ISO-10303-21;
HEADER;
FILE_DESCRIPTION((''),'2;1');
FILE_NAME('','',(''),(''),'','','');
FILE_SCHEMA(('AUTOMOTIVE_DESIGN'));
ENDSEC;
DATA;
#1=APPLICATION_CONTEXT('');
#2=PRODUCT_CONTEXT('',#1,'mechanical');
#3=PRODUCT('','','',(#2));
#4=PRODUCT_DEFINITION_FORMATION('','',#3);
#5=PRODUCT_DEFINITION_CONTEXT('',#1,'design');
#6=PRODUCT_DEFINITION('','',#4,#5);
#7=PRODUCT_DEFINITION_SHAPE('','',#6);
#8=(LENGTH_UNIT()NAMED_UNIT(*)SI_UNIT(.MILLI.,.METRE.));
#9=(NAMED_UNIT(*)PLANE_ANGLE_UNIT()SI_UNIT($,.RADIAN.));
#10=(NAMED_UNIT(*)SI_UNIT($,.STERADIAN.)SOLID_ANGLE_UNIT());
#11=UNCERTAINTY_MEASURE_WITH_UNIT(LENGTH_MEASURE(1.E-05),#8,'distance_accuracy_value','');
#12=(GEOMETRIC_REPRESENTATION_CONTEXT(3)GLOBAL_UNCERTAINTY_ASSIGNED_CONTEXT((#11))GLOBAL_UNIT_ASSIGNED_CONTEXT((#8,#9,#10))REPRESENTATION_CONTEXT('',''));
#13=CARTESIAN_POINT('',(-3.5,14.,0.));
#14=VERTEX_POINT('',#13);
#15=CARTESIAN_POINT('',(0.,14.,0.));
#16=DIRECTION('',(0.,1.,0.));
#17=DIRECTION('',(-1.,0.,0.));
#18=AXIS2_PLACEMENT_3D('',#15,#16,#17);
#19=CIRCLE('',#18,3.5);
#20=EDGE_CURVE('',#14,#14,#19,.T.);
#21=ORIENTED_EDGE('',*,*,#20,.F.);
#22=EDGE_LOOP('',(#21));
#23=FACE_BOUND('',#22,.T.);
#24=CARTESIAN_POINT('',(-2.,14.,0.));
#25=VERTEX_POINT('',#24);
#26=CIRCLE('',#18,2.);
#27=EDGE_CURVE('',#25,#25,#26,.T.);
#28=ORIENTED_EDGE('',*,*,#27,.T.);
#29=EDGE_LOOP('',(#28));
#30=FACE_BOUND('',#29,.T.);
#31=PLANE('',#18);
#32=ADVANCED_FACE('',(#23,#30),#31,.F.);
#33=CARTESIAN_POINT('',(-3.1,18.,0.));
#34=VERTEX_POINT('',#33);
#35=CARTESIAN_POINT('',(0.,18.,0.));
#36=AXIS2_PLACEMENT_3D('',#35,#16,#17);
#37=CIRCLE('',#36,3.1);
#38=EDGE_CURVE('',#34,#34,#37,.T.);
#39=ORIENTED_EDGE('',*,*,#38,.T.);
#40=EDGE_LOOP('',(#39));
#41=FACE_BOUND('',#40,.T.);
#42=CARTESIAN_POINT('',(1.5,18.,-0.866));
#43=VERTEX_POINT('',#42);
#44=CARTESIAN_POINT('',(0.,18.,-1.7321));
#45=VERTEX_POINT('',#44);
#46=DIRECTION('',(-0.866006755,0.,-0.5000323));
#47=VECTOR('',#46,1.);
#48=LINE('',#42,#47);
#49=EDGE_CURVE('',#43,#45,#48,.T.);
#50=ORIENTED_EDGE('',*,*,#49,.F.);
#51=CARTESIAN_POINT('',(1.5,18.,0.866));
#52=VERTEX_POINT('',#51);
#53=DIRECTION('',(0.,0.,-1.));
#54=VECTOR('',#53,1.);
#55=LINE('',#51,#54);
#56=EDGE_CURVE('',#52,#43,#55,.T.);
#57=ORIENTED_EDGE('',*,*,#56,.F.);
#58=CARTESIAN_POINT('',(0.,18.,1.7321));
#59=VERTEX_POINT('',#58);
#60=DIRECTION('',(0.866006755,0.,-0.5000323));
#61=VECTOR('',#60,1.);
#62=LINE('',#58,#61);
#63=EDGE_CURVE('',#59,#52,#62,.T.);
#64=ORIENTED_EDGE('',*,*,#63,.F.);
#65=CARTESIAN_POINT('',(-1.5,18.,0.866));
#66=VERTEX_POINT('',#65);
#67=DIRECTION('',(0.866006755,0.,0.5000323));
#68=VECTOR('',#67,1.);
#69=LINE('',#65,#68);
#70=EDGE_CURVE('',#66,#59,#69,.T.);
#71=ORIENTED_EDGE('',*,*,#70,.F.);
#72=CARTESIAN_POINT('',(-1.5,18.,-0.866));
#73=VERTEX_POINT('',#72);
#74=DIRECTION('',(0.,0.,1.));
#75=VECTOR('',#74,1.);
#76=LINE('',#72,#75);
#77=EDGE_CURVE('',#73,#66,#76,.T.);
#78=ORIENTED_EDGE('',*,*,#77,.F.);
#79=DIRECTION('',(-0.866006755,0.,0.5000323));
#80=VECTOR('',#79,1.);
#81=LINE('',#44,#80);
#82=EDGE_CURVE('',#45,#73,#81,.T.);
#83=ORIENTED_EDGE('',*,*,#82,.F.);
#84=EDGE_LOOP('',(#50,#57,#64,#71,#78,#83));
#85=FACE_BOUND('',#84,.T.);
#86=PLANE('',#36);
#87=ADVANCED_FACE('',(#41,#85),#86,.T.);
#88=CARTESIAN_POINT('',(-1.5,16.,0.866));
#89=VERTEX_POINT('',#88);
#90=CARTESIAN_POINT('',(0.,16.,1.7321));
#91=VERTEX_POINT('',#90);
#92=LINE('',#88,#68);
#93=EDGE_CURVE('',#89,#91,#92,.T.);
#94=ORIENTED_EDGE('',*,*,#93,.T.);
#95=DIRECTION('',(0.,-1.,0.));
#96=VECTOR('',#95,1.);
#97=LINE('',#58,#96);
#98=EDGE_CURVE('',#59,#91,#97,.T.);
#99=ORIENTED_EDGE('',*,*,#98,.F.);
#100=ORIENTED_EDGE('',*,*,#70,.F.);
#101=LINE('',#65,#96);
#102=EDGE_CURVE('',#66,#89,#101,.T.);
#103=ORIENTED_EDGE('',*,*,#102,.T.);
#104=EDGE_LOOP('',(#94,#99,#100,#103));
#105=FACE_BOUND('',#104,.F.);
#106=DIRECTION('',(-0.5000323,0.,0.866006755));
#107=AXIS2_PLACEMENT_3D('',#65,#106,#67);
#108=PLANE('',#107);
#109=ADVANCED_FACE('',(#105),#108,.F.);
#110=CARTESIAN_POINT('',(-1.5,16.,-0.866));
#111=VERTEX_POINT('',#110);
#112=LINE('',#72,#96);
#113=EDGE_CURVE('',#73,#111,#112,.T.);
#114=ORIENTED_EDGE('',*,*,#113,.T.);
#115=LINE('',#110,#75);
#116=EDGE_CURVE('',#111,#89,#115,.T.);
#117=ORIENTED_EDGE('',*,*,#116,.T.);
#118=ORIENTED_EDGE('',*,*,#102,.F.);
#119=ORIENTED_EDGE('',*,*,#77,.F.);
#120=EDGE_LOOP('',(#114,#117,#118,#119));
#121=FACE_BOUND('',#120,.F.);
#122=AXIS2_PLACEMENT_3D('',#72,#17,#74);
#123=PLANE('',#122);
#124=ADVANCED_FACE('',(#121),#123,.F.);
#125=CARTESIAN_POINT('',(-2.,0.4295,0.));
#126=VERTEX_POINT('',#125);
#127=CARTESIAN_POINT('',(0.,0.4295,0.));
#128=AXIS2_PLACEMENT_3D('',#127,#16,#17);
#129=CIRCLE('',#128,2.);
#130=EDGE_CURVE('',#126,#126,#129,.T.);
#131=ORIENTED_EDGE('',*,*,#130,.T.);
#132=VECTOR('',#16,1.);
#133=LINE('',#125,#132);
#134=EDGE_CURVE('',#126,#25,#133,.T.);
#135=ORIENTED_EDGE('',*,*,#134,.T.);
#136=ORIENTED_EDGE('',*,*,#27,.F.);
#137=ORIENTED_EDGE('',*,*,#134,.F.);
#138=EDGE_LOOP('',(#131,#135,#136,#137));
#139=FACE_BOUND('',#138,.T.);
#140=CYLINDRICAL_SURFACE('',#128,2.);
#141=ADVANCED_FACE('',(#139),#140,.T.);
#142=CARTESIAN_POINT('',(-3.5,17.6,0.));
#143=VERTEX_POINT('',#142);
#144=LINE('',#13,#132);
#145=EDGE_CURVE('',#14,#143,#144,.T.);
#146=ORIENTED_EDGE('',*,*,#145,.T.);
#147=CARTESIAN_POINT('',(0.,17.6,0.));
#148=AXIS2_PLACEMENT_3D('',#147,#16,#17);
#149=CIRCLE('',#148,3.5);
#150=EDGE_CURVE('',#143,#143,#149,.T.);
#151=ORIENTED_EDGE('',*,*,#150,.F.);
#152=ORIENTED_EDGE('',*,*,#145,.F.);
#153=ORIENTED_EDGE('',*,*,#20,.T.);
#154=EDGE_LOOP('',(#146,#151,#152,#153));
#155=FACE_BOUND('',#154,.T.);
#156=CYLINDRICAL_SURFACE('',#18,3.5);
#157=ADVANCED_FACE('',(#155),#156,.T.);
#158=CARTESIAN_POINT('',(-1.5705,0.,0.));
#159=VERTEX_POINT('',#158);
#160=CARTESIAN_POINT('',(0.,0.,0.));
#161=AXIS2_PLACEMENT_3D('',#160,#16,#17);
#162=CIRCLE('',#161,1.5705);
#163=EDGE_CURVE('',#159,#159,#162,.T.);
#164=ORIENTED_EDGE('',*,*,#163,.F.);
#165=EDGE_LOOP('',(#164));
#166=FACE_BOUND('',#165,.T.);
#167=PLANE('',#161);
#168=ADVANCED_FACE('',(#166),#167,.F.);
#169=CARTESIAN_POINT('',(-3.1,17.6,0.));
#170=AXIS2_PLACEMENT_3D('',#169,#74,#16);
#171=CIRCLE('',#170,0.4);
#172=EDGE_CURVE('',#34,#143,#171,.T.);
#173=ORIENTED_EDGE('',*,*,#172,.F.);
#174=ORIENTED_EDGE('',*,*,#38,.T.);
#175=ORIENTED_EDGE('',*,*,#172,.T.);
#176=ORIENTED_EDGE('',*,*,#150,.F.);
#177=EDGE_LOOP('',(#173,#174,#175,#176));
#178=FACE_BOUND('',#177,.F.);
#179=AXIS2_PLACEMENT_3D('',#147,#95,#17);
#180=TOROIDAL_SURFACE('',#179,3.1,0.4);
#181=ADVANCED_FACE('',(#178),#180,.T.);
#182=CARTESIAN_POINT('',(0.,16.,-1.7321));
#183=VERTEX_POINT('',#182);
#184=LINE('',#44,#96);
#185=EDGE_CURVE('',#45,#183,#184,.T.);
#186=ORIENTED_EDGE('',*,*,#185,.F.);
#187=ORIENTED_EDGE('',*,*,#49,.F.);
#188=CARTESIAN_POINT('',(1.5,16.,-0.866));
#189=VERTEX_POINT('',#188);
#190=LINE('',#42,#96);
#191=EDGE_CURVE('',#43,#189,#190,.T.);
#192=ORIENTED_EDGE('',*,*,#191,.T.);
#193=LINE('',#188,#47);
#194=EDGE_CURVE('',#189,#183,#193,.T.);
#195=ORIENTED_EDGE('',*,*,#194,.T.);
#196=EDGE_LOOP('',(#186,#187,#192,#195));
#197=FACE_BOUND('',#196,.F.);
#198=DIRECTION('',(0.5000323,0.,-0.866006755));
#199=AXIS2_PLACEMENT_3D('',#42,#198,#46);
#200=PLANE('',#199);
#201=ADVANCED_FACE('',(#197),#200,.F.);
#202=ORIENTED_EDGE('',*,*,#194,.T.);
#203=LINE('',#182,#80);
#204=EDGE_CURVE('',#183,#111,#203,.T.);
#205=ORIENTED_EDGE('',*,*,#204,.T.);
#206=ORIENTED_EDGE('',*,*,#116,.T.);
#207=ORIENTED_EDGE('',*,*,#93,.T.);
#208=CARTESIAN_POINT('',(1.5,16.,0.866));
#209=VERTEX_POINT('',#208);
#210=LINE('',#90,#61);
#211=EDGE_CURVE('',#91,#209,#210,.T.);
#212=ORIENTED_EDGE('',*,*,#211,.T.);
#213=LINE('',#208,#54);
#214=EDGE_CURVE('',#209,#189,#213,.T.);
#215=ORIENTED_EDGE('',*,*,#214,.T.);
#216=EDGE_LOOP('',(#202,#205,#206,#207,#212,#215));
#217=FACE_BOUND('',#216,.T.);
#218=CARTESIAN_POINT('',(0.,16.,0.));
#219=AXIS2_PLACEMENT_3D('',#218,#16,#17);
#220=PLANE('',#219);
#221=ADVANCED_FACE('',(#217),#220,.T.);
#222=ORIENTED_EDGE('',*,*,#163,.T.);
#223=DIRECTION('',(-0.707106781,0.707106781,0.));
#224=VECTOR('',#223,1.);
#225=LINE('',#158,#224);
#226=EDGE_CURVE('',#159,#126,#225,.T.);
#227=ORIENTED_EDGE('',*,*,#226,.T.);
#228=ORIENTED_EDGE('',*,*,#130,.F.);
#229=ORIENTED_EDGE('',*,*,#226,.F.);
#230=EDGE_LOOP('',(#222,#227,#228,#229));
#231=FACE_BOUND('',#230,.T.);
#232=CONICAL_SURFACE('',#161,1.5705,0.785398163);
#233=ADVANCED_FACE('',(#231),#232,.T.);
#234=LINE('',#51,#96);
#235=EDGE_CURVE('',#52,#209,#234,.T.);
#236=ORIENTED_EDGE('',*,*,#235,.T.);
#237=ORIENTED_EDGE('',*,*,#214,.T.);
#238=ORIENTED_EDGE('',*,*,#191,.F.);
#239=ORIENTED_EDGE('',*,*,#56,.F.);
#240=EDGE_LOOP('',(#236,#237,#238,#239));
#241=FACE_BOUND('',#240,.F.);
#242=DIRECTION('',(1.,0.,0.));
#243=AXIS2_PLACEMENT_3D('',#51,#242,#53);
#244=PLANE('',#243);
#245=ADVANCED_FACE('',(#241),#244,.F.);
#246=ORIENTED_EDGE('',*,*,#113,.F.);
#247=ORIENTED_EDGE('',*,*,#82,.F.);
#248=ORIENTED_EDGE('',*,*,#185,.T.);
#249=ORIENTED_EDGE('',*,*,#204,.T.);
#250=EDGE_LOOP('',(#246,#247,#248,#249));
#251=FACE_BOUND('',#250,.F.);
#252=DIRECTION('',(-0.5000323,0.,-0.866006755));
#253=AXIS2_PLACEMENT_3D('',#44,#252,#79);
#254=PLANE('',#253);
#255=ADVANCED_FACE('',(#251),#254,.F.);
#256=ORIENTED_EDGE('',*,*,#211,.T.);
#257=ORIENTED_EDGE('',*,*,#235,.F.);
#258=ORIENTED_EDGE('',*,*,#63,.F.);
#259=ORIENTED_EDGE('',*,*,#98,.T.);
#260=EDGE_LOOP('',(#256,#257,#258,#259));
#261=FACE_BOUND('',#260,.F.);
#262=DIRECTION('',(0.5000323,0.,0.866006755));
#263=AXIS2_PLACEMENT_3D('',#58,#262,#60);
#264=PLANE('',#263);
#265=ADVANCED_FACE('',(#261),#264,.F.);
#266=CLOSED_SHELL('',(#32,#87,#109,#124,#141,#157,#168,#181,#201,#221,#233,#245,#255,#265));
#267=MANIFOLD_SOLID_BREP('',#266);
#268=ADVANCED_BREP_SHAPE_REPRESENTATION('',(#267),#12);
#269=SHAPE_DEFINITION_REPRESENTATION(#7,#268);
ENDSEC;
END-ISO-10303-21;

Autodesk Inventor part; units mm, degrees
sketch "Skizze_1" plane through (0, 0, 0) normal (0, 0, 1) x (1, 0, 0)
  line L0 (0, 18) -> (0, 0)
  line L1 (0, 0) -> (-1.5705, 0)
  line L2 (-1.5705, 0) -> (-2, 0.4295)
  line L3 (-2, 0.4295) -> (-2, 14)
  line L4 (-2, 14) -> (-3.5, 14)
  line L5 (-3.5, 14) -> (-3.5, 17.6)
  arc A0 (-3.1, 18) -> (-3.5, 17.6) centre (-3.1, 17.6) ccw
  line L6 (-3.1, 18) -> (0, 18)
  line L7 (0, 18) -> (0, 0)
revolve "Revolution1" add sketch "Skizze_1" angle 360 about axis through (0, 18, 0) along (0, 1, 0)
thread "Thread1" size "M4x0.7" class "6g" standard "ISO Metric profile" length 12.7132
sketch "Skizze_2" plane through (0, 18, 0) normal (0, 1, 0) x (-1, 0, 0)
  line L0 (-1.5, -0.866) -> (0, -1.7321)
  line L1 (0, -1.7321) -> (1.5, -0.866)
  line L2 (1.5, -0.866) -> (1.5, 0.866)
  line L3 (1.5, 0.866) -> (0, 1.7321)
  line L4 (0, 1.7321) -> (-1.5, 0.866)
  line L5 (-1.5, 0.866) -> (-1.5, -0.866)
extrude "Extrusion1" cut sketch "Skizze_2" against normal blind 2
ref_plane "anf_ge_1_XY" through (0, 14, 0) normal (0, 1, 0) x (1, 0, 0)
ref_plane "anf_ge_1_YZ" through (0, 14, 0) normal (1, 0, 0) x (0, 0, -1)
ref_plane "anf_ge_1_ZX" through (0, 14, 0) normal (0, 0, -1) x (0, 1, 0)
properties part number "62311400GA_2"
